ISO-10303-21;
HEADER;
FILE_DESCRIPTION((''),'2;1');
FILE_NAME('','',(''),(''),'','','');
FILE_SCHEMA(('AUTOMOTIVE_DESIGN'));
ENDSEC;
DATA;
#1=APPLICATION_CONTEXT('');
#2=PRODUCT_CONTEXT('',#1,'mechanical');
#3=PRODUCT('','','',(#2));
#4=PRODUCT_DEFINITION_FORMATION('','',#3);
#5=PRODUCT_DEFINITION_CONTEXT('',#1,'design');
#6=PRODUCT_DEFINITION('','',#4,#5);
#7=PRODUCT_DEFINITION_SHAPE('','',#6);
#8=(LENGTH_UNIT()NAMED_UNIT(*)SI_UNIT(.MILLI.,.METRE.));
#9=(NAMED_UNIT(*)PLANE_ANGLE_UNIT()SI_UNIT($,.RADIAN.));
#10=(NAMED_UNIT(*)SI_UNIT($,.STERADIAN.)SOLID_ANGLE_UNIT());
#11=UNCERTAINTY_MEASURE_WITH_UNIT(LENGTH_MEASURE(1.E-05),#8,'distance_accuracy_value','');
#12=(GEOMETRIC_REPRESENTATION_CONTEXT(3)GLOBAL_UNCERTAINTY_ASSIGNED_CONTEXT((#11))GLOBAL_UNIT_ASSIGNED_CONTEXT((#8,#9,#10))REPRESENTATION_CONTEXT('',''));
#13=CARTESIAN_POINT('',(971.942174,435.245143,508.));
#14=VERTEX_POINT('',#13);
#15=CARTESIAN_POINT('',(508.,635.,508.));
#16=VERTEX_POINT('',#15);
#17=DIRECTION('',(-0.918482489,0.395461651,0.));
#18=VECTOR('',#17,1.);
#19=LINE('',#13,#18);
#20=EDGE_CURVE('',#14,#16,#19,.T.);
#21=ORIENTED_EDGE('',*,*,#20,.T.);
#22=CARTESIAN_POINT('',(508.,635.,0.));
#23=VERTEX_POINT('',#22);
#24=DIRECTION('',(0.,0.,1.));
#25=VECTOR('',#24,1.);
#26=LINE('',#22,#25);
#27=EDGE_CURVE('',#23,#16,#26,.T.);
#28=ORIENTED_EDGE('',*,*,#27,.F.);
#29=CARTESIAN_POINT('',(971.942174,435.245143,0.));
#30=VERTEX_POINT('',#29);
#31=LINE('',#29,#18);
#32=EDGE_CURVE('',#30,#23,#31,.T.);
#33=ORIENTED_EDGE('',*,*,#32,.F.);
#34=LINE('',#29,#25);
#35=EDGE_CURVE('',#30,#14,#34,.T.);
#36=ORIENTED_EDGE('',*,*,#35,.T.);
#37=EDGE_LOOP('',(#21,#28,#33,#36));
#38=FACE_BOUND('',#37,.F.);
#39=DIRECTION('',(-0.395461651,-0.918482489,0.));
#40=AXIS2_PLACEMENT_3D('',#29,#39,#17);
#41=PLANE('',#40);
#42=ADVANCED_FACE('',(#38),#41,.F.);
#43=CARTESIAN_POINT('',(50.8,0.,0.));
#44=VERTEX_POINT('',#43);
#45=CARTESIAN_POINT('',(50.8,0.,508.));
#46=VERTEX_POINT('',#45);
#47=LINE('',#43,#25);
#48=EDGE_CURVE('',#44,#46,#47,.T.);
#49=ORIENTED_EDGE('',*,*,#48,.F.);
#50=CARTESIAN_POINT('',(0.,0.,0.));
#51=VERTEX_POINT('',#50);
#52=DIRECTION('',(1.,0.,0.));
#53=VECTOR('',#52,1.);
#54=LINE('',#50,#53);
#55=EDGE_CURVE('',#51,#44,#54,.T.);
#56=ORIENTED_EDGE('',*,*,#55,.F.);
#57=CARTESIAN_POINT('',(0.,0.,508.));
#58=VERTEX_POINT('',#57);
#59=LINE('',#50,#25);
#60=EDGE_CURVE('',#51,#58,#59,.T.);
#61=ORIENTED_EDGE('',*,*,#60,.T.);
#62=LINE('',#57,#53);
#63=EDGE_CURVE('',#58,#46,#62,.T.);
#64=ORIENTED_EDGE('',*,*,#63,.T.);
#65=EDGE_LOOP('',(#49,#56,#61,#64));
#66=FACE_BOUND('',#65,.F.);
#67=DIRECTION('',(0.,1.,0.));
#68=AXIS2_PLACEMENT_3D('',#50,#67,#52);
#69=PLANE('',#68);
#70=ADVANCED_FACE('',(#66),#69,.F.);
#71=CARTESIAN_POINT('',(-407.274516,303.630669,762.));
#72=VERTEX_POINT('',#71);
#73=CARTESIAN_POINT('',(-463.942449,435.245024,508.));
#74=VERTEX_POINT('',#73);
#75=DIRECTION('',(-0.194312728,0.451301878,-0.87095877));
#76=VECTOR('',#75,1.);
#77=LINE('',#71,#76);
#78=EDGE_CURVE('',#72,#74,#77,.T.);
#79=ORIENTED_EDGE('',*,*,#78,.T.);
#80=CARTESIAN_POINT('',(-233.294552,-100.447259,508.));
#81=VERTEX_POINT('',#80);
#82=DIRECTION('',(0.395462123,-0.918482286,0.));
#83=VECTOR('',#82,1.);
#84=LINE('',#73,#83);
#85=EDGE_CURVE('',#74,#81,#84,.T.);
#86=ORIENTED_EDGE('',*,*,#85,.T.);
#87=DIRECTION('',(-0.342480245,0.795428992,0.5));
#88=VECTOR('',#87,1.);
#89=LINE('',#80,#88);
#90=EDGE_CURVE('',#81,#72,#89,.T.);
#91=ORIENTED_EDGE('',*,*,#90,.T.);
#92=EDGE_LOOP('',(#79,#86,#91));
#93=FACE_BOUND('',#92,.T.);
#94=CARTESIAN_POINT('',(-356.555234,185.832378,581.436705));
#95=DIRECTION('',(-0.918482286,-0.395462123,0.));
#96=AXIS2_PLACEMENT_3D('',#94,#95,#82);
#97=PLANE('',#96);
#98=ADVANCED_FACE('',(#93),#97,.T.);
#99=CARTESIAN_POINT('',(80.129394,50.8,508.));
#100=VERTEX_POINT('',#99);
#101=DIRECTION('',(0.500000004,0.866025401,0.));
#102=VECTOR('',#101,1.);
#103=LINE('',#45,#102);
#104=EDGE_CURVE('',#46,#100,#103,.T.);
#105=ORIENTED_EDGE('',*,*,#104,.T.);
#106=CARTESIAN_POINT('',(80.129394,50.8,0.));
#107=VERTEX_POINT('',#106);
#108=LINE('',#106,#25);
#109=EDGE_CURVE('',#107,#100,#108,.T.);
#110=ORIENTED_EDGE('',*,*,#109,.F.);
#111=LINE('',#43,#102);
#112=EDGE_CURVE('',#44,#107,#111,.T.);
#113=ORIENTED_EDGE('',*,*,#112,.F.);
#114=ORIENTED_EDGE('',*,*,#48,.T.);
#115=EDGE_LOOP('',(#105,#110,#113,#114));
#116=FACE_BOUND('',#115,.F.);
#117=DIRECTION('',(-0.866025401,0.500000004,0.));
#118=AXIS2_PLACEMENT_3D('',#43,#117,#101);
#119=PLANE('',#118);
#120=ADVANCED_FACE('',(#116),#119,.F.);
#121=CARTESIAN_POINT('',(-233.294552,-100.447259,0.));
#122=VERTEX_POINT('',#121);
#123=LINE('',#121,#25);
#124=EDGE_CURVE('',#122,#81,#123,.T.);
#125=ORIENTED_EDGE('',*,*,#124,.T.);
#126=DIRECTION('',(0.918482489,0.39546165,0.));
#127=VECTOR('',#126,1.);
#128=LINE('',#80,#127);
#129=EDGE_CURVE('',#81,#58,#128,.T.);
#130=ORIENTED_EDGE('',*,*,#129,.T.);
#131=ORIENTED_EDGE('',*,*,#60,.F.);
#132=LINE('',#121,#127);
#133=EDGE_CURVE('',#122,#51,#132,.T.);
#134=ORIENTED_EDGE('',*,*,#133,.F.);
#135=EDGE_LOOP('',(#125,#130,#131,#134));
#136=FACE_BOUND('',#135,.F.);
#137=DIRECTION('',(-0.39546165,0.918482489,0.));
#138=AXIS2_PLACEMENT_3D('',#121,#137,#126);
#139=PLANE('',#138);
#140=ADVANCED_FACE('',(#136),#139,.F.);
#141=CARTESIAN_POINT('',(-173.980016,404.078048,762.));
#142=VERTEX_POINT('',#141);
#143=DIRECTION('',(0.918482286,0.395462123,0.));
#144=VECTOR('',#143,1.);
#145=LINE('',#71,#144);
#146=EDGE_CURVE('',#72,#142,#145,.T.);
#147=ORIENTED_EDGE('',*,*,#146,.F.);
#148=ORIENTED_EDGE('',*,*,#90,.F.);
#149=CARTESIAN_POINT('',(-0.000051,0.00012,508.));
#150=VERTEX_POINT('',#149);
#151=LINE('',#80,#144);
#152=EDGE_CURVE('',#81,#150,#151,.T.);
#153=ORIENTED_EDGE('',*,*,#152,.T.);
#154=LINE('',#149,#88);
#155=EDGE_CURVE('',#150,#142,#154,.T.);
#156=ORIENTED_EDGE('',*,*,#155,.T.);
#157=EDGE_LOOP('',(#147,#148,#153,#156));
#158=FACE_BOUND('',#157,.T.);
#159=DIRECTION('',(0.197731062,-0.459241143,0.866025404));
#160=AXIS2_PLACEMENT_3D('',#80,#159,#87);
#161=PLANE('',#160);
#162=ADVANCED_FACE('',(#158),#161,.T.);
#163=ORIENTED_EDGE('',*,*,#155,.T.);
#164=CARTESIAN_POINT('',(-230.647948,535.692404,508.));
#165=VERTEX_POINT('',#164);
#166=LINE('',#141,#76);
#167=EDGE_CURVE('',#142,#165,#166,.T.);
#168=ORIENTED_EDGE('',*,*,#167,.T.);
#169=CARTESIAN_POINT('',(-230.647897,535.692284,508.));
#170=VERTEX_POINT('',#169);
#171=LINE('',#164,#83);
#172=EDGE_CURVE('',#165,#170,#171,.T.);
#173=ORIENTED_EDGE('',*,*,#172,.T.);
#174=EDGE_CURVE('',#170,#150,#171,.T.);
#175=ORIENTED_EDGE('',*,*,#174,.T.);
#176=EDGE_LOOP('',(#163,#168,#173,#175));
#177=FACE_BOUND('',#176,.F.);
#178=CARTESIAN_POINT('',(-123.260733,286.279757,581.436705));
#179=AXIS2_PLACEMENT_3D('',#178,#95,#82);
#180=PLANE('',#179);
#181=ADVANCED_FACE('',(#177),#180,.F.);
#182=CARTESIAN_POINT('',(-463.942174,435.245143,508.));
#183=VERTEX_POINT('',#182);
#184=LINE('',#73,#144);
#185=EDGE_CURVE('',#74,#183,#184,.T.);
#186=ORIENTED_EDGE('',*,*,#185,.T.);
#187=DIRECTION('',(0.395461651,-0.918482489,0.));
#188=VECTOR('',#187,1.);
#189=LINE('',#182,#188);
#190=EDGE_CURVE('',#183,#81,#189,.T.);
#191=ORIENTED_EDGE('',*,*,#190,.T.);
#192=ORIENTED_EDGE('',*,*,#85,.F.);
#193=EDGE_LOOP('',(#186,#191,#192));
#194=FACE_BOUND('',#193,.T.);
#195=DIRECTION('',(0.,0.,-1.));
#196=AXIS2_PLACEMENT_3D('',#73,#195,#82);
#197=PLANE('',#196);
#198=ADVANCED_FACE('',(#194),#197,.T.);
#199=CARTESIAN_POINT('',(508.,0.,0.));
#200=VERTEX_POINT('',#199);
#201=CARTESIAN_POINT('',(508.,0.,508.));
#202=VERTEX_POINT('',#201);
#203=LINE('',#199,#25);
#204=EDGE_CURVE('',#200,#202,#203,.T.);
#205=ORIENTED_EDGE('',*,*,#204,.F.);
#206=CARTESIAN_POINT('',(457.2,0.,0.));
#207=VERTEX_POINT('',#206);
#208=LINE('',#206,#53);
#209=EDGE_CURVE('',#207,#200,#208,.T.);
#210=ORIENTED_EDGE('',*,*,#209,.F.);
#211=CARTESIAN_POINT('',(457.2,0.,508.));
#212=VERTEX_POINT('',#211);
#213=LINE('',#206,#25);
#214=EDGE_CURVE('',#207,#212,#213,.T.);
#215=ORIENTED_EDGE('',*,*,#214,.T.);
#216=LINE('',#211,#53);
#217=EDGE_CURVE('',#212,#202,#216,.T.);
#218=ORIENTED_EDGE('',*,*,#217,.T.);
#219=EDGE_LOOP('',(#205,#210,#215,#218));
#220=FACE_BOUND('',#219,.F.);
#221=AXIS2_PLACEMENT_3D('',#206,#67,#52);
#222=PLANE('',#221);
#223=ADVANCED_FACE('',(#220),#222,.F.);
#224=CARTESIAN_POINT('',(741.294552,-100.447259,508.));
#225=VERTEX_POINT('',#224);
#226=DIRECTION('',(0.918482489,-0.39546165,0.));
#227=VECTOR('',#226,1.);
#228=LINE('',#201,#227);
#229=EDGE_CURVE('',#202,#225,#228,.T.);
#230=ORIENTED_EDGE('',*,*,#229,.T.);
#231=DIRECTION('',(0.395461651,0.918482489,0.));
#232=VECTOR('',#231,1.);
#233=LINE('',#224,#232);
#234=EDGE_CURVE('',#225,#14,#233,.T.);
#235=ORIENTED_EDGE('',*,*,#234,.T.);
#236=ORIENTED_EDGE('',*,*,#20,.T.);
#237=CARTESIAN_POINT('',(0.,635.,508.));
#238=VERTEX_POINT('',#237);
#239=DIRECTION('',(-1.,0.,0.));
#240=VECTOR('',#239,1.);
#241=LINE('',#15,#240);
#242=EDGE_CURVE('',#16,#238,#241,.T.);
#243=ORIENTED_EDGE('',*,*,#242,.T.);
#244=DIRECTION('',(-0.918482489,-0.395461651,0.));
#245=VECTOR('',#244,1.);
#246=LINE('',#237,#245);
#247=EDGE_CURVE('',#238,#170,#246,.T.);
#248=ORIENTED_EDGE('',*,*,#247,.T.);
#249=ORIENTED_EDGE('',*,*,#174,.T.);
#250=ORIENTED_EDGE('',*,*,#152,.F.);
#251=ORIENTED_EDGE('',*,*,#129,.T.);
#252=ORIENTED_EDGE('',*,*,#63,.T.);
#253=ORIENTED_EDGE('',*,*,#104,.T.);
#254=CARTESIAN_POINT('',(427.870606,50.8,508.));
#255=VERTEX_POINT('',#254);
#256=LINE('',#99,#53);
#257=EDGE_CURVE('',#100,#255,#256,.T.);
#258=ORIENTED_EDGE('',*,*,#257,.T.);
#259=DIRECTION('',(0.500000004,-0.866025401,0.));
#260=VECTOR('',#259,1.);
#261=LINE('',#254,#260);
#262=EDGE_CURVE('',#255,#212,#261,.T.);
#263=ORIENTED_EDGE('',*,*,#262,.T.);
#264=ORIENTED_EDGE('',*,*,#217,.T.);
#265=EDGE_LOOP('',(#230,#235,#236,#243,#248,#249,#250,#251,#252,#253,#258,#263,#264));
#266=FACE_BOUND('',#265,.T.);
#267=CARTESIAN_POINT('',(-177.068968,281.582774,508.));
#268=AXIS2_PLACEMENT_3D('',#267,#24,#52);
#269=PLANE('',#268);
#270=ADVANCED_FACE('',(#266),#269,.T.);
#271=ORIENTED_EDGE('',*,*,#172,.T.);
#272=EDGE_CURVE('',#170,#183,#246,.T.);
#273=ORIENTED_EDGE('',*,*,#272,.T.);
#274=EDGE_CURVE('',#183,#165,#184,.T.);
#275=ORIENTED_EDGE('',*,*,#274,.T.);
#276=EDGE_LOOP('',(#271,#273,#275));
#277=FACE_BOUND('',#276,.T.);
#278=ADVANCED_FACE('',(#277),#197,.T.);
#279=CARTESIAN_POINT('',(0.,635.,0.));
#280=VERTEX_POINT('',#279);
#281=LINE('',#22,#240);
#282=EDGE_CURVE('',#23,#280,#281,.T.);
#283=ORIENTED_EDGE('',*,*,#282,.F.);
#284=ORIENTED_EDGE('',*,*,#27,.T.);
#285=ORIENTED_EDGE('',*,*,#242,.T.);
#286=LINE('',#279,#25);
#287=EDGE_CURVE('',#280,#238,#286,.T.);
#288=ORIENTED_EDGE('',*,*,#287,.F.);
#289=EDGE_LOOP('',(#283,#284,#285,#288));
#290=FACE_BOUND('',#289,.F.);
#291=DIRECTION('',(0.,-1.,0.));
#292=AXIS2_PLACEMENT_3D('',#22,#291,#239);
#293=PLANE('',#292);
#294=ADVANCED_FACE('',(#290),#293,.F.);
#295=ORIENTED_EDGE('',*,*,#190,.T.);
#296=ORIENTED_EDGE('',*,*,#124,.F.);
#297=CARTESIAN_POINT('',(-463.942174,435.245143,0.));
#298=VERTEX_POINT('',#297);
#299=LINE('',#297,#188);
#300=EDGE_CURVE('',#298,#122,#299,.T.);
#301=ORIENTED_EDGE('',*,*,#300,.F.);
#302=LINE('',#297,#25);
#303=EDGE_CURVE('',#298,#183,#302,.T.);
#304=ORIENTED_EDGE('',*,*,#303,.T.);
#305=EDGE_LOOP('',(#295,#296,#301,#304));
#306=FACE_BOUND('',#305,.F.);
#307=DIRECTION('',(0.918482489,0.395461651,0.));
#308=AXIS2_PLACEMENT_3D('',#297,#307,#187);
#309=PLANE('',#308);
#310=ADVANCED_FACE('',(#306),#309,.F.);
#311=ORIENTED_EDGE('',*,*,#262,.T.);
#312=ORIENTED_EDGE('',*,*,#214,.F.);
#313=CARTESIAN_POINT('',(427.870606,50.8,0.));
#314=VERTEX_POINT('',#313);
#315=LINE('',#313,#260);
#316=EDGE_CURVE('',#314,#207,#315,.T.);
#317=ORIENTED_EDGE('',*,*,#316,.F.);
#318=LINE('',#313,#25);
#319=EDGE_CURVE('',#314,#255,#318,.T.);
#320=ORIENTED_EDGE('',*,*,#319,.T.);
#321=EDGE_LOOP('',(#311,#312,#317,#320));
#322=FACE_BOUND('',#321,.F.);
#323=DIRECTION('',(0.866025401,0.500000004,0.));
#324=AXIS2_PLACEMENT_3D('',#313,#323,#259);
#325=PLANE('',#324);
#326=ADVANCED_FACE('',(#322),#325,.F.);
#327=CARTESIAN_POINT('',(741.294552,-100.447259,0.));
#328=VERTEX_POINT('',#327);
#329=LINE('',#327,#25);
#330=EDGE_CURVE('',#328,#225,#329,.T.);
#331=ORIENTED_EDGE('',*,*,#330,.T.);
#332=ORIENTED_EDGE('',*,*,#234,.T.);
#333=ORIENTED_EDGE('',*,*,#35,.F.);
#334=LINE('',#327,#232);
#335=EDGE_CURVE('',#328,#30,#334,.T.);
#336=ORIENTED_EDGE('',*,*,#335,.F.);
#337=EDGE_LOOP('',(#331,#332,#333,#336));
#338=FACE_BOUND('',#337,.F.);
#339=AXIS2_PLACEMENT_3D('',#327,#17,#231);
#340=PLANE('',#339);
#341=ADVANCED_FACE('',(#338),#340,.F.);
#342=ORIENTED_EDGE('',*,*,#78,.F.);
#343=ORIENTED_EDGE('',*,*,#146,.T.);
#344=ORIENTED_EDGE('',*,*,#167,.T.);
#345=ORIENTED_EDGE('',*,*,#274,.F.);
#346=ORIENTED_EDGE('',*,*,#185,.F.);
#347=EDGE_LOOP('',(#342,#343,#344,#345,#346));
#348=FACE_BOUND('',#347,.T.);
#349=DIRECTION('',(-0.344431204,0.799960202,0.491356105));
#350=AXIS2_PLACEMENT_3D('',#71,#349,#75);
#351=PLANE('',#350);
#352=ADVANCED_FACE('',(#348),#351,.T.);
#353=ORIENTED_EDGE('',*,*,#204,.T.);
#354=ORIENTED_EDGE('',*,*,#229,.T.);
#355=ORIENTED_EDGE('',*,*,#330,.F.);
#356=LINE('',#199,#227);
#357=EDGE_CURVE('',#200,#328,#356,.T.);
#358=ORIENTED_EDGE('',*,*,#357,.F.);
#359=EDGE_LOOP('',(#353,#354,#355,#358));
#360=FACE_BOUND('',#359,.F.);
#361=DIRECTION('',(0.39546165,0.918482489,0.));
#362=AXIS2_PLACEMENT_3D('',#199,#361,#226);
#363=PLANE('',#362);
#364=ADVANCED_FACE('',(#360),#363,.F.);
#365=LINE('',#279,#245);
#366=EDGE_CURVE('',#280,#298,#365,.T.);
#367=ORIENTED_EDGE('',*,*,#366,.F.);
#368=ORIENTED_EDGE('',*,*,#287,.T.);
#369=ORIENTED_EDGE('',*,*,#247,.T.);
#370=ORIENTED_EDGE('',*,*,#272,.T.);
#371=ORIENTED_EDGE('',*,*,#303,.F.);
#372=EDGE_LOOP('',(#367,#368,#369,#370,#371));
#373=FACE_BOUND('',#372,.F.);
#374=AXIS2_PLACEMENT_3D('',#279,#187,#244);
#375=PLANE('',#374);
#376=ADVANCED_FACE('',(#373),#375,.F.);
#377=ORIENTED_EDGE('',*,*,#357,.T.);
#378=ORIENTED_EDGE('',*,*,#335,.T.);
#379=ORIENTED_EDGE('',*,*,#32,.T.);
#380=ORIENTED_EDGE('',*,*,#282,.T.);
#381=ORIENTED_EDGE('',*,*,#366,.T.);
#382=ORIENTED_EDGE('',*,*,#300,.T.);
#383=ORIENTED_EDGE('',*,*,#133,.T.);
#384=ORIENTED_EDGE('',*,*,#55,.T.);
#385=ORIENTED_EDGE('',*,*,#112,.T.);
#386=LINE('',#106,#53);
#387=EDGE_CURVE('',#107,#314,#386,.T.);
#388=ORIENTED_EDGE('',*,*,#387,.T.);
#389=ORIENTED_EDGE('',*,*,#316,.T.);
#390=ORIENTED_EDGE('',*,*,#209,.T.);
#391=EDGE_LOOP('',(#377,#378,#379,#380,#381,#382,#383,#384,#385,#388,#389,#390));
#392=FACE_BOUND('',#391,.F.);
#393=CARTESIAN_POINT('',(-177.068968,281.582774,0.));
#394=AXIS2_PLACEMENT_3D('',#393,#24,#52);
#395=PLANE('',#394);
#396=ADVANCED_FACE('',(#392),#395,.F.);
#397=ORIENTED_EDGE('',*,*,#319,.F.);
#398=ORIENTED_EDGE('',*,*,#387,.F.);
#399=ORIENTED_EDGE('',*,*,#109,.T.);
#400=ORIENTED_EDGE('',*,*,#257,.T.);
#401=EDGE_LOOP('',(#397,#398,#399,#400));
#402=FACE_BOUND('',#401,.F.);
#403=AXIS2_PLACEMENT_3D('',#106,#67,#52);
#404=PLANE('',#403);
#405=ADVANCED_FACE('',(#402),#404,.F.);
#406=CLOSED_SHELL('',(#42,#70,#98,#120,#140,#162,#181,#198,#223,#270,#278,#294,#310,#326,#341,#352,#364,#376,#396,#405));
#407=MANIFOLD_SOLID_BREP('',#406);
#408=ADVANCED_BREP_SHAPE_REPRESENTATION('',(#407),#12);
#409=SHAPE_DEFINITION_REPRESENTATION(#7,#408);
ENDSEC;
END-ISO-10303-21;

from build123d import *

# Parameters (mm, degrees)
F1_DEPTH = 508
F3_DEPTH = 254


with BuildPart() as f1:
    # F0 (on Top) → F1 (new body)
    with BuildSketch(Plane.XY):
        Polygon((-233.294552, -100.447259), (0, 0), (0, 635), (-463.942174, 435.245143), align=None)
        Polygon((0, 635), (0, 0), (50.8, 0), (80.129394, 50.8), (254, 50.8), (254, 635), align=None)
        Polygon((508, 635), (254, 635), (254, 50.8), (427.870606, 50.8), (457.2, 0), (508, 0), align=None)
        Polygon((971.942174, 435.245143), (508, 635), (508, 0), (741.294552, -100.447259), align=None)
    extrude(amount=F1_DEPTH)

    # F2 (on face) → F3 (join)
    with BuildSketch(Plane(origin=(-233.294552, -100.447259, 0), x_dir=(0.395462, -0.918482, 0), z_dir=(-0.918482, -0.395462, 0))):
        Polygon((-583.23638, 508), (0, 508), (-439.940905, 762), align=None)
    extrude(amount=-F3_DEPTH)


solid = f1.part
